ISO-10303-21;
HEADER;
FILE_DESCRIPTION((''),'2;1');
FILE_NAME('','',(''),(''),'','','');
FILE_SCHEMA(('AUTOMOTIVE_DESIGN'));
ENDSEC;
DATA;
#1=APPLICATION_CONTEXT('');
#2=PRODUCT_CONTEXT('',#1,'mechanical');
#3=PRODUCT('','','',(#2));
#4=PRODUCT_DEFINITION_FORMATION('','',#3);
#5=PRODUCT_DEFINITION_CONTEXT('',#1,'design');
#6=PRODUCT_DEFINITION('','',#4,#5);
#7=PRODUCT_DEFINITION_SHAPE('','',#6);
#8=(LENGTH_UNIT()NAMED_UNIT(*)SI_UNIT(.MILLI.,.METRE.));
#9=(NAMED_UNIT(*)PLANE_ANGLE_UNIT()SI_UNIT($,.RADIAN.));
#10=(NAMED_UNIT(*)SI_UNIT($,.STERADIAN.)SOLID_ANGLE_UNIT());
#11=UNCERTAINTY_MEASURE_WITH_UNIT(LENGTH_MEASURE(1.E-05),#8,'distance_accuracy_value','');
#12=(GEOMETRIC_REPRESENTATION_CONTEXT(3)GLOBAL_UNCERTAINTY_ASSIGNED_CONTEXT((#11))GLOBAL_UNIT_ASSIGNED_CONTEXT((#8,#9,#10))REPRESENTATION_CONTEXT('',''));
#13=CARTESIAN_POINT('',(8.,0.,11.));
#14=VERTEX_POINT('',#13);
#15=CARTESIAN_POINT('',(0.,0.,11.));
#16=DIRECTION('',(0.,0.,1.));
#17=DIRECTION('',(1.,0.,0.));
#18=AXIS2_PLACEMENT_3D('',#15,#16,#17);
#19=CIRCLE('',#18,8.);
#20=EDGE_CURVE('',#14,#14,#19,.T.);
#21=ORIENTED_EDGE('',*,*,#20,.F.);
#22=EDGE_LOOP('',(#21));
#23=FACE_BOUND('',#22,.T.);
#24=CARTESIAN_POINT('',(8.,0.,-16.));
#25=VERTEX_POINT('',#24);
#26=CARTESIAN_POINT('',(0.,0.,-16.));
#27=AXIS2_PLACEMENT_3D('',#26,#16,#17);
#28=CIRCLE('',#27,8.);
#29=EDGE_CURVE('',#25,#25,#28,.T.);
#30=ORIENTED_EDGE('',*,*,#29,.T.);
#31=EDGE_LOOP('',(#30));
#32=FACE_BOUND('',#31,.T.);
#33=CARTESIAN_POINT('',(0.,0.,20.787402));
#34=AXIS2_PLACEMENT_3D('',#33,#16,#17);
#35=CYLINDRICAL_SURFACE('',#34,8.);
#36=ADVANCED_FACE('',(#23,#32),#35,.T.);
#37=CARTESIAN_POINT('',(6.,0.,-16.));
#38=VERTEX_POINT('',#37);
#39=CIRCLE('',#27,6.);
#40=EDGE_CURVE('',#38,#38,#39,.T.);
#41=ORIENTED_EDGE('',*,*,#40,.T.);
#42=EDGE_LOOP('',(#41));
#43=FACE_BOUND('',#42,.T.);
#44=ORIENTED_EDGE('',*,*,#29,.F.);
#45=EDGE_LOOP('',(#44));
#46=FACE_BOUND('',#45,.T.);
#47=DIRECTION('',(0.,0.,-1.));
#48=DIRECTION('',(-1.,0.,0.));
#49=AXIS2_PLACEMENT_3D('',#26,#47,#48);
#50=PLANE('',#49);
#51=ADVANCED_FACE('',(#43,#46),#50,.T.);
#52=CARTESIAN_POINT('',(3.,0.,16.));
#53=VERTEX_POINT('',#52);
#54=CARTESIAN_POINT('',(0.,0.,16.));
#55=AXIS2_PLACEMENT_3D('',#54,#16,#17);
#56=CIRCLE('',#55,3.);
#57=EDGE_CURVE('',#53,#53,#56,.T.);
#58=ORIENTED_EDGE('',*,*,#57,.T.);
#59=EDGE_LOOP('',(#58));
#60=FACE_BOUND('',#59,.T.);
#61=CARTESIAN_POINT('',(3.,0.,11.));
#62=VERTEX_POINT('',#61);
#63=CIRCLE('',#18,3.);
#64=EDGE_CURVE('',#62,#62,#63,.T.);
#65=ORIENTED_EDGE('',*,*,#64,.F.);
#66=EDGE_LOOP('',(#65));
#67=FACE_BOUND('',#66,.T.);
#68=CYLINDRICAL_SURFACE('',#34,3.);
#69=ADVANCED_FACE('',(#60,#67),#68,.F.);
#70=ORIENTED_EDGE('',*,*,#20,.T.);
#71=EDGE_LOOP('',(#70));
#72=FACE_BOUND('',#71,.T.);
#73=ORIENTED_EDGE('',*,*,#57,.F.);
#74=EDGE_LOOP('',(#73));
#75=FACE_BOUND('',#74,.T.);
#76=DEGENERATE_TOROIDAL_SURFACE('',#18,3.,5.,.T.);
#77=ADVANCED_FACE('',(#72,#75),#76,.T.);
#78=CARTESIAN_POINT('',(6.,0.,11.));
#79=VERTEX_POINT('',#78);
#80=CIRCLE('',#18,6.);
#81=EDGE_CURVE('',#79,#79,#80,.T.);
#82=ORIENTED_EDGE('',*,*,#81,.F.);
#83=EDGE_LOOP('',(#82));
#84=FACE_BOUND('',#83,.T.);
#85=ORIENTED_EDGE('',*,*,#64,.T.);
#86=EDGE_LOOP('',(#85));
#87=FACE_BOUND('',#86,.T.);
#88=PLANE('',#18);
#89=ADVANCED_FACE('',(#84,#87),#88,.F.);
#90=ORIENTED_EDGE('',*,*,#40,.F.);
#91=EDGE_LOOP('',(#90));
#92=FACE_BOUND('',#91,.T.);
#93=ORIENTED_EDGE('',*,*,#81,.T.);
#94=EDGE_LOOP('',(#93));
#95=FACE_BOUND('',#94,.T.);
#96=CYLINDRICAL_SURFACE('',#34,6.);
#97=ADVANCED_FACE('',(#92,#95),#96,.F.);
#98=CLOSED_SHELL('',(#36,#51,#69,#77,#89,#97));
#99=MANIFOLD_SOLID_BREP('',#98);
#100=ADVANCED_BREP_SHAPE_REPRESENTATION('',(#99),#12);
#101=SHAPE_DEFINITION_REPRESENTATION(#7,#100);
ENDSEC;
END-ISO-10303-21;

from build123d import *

# Parameters (mm, degrees)
SKETCH1_W = 2
SKETCH1_H = 27


with BuildPart() as part:
    # Sketch1 → Revolve1 (revolve)
    with BuildSketch(Plane.YZ, mode=Mode.PRIVATE) as revolve1_sk:
        with BuildLine():
            ThreePointArc((8, 11), (6.535533906, 14.535533906), (3, 16))
            Line((3, 16), (3, 11))
            Line((3, 11), (6, 11))
            Line((6, 11), (8, 11))
        make_face()
        with Locations((7, -2.5)):
            Rectangle(SKETCH1_W, SKETCH1_H)
    revolve(revolve1_sk.sketch.rotate(Axis((0, 0, 20.787401575), (0, 0, -1)), 90), axis=Axis((0, 0, 20.787401575), (0, 0, -1)))


solid = part.part
